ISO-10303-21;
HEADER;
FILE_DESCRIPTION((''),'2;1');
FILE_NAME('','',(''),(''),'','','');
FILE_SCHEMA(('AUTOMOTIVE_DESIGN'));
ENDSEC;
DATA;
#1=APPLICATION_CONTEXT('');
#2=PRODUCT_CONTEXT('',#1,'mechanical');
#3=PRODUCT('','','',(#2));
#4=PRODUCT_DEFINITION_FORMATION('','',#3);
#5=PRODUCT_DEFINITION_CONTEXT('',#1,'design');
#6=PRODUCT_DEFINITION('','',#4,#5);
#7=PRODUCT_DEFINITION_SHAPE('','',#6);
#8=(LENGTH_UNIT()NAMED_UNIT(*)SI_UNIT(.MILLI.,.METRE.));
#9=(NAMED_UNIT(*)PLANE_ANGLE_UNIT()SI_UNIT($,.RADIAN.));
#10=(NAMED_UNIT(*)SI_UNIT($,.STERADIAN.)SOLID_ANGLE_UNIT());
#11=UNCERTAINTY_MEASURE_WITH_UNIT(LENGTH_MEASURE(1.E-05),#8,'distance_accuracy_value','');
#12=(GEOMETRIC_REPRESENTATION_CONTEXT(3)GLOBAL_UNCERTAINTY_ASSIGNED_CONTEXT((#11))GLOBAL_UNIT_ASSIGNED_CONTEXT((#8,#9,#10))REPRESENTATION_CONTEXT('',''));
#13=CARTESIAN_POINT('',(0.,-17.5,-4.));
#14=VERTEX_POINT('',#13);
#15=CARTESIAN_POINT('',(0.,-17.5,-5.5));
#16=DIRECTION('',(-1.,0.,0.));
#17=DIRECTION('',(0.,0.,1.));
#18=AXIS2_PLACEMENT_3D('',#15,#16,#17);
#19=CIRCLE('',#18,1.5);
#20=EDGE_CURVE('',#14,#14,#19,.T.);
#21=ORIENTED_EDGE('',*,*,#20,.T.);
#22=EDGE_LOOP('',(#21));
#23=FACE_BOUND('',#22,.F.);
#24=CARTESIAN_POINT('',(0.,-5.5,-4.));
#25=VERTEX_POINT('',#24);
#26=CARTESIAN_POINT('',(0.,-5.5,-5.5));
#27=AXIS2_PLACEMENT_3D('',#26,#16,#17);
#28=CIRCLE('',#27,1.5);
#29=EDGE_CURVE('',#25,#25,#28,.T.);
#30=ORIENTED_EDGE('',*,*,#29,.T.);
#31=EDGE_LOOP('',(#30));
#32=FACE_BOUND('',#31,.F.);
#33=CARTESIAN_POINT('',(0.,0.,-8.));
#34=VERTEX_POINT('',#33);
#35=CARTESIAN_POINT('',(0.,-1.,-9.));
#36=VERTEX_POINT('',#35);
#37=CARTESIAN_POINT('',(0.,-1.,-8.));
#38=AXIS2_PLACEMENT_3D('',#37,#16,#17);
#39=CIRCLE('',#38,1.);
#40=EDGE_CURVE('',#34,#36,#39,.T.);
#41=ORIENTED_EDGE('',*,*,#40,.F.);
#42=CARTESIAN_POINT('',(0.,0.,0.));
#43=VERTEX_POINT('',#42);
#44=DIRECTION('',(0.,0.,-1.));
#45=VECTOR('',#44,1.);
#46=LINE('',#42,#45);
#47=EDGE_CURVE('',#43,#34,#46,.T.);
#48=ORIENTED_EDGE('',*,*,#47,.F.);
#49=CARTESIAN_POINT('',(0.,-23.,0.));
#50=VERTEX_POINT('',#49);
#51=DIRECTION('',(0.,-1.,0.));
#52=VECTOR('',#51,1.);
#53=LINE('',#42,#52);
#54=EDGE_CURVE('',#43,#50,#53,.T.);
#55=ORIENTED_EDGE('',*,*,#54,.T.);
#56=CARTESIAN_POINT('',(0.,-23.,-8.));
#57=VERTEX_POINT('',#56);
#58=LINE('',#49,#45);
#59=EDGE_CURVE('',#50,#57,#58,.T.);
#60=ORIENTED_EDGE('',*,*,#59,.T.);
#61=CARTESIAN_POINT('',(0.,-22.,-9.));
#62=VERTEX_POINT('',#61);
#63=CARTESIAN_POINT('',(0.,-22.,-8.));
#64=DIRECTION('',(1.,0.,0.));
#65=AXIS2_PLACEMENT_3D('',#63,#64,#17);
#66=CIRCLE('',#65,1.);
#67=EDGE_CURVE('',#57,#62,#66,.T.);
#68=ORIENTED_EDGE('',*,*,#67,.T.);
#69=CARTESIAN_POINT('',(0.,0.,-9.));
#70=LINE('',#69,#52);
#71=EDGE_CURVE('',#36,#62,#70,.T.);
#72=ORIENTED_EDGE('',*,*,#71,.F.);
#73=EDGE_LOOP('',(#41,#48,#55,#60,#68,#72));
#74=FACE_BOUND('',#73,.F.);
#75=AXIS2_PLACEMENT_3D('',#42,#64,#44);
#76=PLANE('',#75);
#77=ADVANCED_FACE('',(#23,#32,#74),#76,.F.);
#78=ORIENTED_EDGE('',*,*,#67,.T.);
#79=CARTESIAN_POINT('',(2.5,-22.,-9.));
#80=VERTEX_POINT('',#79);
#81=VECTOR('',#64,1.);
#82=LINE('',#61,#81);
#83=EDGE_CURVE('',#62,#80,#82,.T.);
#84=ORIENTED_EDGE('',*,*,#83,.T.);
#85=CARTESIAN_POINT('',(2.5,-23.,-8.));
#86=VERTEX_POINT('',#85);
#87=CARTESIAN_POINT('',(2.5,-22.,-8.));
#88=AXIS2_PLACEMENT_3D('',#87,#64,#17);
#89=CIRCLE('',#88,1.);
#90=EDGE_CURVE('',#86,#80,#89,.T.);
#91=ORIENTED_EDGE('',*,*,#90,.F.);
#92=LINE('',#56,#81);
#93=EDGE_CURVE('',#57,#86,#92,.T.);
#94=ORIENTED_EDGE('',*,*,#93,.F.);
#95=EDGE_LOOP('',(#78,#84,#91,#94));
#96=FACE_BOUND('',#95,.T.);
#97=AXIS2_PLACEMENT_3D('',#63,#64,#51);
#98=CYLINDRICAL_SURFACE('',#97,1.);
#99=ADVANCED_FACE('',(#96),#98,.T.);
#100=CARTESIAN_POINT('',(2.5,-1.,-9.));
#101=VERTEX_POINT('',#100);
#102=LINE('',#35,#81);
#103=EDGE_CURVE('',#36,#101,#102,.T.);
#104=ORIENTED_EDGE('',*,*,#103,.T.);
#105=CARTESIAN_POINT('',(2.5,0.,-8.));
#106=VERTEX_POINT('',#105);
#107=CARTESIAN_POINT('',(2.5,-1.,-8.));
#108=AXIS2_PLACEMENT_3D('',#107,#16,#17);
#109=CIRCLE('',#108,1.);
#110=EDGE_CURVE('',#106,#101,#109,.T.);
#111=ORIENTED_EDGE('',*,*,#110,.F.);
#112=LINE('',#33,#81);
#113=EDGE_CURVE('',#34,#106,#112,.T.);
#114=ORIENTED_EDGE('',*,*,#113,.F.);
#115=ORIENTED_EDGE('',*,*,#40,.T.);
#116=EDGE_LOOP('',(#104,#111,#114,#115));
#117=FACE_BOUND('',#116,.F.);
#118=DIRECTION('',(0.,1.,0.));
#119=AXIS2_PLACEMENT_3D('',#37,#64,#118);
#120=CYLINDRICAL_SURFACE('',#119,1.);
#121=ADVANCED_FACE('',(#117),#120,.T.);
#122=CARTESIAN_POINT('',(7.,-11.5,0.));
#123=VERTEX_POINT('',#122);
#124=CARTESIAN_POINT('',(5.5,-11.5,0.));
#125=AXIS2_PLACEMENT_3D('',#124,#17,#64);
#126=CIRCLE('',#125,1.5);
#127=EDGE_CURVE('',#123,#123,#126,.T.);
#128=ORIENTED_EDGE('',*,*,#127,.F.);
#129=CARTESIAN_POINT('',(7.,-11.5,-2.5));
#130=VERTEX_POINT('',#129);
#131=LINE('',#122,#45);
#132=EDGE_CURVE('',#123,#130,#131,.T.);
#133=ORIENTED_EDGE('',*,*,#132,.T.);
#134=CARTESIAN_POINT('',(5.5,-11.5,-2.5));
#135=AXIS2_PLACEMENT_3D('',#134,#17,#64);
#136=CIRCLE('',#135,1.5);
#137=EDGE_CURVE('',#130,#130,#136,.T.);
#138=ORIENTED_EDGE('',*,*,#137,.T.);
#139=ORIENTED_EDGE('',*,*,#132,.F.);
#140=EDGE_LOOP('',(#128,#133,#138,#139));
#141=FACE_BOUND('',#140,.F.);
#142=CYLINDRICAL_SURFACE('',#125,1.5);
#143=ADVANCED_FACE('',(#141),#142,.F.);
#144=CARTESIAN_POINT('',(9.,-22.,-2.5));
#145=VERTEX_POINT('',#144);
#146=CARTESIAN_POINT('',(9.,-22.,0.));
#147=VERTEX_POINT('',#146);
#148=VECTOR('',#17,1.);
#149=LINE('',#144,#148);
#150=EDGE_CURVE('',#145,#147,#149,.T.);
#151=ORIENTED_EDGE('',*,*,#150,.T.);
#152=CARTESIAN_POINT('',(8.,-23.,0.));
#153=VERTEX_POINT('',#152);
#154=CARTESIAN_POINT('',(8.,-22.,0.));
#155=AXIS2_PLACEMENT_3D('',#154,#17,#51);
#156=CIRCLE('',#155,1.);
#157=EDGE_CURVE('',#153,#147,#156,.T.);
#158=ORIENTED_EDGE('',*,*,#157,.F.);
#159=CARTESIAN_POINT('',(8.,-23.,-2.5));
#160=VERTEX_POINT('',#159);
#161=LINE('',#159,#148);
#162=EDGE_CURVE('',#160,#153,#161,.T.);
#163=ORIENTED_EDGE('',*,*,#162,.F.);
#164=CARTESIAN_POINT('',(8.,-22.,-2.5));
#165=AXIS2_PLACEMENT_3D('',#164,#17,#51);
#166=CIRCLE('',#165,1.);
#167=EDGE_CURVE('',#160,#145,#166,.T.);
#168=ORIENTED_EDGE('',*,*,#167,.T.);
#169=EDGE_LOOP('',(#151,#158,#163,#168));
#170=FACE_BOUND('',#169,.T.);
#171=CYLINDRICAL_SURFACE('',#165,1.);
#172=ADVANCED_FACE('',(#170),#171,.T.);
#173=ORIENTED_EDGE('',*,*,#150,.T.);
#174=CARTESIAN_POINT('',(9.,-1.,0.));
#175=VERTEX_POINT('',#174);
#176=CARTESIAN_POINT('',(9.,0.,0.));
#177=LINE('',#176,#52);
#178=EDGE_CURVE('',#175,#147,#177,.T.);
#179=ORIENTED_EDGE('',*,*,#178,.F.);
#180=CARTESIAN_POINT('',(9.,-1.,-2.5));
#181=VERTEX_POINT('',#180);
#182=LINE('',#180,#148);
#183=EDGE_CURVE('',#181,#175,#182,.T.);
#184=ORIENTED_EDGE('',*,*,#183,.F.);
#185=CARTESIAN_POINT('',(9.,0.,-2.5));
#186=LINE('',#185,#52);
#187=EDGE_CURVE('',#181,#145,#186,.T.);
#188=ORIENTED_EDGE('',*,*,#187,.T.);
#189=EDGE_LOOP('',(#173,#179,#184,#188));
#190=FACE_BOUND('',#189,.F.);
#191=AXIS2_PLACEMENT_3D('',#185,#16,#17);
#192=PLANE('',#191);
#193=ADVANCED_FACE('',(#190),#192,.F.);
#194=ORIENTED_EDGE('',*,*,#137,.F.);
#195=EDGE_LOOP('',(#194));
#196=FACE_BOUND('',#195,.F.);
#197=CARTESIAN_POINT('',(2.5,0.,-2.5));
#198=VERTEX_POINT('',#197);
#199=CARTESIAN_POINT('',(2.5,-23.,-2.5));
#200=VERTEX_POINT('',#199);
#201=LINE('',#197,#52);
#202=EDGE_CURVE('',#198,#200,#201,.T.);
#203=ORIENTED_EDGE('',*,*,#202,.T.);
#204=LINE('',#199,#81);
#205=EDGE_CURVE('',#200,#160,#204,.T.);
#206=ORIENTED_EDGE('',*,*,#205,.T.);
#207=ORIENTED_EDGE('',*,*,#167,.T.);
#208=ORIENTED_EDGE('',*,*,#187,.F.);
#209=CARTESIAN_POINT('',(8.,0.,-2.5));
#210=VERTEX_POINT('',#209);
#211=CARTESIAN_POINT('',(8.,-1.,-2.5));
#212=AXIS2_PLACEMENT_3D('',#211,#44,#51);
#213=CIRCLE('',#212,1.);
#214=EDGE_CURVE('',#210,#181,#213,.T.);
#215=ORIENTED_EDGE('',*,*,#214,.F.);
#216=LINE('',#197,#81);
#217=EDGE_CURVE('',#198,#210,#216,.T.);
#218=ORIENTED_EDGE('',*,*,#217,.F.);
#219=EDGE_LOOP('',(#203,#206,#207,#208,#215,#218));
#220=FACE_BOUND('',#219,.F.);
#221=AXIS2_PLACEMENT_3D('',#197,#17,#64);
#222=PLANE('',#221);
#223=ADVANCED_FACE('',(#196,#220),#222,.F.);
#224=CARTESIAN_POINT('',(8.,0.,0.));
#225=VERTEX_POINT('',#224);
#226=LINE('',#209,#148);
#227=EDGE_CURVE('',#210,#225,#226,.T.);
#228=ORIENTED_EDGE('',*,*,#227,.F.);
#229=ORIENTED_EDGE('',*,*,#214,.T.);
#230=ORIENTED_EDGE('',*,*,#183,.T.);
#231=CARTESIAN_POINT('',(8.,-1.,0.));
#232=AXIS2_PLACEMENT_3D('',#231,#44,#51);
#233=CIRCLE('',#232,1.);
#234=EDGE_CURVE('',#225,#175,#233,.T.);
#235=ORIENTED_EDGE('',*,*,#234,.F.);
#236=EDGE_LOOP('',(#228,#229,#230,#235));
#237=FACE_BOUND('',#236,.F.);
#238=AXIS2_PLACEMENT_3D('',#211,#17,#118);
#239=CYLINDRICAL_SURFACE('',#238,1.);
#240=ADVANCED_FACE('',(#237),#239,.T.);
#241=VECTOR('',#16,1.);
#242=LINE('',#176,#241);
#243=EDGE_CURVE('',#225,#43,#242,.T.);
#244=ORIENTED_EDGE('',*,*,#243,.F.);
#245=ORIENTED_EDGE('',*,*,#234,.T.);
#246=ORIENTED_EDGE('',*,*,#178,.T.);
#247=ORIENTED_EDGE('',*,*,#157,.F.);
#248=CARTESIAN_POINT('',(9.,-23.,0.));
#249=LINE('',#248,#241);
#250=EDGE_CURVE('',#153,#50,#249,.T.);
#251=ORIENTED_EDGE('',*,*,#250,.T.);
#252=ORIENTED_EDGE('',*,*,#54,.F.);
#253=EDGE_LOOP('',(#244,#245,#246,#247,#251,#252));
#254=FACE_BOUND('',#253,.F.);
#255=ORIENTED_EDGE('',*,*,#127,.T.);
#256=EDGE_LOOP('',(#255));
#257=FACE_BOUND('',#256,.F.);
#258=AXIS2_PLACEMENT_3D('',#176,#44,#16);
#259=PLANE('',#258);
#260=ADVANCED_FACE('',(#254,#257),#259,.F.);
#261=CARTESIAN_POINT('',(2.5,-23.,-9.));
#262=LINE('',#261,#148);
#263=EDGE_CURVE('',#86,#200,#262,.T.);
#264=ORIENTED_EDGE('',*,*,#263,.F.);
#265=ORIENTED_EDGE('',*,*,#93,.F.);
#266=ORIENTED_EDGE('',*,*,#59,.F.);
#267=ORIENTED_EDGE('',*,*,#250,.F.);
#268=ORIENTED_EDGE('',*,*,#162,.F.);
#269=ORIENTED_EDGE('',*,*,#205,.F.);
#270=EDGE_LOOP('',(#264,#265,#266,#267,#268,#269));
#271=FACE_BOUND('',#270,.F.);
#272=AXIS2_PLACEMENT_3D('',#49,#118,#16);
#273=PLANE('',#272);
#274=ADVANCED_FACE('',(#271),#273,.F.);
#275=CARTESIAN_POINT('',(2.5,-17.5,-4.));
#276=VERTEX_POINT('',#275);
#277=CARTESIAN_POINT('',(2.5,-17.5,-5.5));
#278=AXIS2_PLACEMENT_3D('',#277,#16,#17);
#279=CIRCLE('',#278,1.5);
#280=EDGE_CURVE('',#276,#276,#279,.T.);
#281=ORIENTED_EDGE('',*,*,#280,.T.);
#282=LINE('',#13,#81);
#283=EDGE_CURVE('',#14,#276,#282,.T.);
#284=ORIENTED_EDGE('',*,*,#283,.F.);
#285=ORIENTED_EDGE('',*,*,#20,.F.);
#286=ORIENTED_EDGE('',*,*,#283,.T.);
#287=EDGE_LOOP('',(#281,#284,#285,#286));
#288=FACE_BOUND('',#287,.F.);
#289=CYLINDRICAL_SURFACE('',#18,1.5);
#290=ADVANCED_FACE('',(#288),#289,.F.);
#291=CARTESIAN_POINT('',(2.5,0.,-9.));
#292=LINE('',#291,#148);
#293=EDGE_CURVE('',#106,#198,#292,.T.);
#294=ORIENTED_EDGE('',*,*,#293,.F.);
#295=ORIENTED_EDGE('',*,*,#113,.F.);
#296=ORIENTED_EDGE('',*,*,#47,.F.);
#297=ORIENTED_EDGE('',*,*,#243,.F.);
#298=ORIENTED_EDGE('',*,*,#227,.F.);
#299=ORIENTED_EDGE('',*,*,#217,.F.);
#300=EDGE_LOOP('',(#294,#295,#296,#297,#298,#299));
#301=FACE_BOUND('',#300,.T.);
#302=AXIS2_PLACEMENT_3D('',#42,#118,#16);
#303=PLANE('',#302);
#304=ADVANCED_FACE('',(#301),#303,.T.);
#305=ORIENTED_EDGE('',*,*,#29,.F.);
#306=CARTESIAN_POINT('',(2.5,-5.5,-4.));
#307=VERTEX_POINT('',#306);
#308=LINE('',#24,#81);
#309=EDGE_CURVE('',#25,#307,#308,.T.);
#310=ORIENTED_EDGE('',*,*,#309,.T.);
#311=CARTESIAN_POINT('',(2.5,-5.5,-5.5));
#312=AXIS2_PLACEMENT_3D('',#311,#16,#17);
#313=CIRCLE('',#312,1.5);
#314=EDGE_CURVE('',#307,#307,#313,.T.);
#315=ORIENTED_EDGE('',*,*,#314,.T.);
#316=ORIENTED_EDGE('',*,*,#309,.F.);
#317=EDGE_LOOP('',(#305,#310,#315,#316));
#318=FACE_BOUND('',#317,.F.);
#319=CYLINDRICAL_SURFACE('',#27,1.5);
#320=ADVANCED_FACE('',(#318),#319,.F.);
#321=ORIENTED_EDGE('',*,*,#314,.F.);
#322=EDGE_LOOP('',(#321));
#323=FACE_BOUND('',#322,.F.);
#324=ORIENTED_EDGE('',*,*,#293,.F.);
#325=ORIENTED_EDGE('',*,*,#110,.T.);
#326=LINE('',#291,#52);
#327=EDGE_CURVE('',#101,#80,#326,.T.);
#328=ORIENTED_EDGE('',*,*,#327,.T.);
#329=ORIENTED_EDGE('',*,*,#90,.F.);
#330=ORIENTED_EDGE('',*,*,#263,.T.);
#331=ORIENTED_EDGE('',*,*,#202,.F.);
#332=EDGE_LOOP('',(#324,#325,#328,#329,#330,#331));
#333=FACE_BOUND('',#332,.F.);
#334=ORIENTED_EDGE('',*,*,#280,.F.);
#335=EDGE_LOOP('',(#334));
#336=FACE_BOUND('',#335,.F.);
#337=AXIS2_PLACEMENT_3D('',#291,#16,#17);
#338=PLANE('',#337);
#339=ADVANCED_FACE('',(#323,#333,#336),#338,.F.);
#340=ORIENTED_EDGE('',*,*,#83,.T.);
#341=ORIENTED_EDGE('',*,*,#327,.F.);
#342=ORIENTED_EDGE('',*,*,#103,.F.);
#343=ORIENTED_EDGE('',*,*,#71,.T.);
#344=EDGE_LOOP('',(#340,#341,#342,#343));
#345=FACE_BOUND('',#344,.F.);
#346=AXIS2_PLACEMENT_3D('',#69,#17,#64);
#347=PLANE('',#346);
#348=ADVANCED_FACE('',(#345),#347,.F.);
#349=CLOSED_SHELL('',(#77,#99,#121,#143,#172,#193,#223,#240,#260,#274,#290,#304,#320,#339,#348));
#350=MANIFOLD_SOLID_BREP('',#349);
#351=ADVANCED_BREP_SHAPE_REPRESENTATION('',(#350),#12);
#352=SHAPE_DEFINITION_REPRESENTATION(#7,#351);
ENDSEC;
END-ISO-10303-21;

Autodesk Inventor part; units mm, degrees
ref_plane "YZ Plane" through (0, 0, 0) normal (1, 0, 0) x (0, 1, 0)
ref_plane "XZ Plane" through (0, 0, 0) normal (0, 1, 0) x (-1, 0, 0)
ref_plane "XY Plane" through (0, 0, 0) normal (0, 0, 1) x (1, 0, 0)
sketch "Sketch1" plane through (0, 0, 0) normal (0, 0, 1) x (1, 0, 0)
  point P0 (0, 0)
sketch "Sketch2" plane through (0, 0, 0) normal (0, 1, 0) x (-1, 0, 0)
  line L0 (0, 0) -> (0, -9)
  line L1 (0, -9) -> (-2.5, -9)
  line L2 (-2.5, -9) -> (-2.5, -2.5)
  line L3 (-2.5, -2.5) -> (-9, -2.5)
  line L4 (-9, -2.5) -> (-9, 0)
  line L5 (-9, 0) -> (0, 0)
  dimension "d0" = 9
  dimension "d1" = 2.5
  dimension "d2" = 9
  dimension "d3" = 2.5
extrude "Extrusion1" add sketch "Sketch2" against normal blind 23
sketch "Sketch3" plane through (0, 0, 0) normal (0, 0, 1) x (1, 0, 0)
  circle A0 centre (5.5, -11.5) radius 1.5
  line L0 (0, 0) -> (9, 0) projected
  line L1 (0, 0) -> (0, -23) projected
  dimension "d6" = 3
  dimension "d7" = 11.5
  dimension "d8" = 5.5
extrude "Extrusion2" cut sketch "Sketch3" against normal blind 23
sketch "Sketch4" plane through (0, 0, -9) normal (-1, 0, 0) x (0, 0, 1)
  circle A0 centre (3.5, -5.5) radius 1.5
  circle A1 centre (3.5, -17.5) radius 1.5
  line L0 (0, 0) -> (9, 0) projected
  line L1 (9, -23) -> (0, -23) projected
  line L2 (9, 0) -> (9, -23) projected
  dimension "d11" = 3
  dimension "d12" = 3
  dimension "d13" = 5.5
  dimension "d14" = 5.5
  dimension "d15" = 12
  dimension "d16" = 5.5
extrude "Extrusion3" cut sketch "Sketch4" against normal blind 23
fillet "Fillet1" radius 1 4 edges at (1.25, 0, -9) (9, 0, -1.25) (9, -23, -1.25) (1.25, -23, -9)
